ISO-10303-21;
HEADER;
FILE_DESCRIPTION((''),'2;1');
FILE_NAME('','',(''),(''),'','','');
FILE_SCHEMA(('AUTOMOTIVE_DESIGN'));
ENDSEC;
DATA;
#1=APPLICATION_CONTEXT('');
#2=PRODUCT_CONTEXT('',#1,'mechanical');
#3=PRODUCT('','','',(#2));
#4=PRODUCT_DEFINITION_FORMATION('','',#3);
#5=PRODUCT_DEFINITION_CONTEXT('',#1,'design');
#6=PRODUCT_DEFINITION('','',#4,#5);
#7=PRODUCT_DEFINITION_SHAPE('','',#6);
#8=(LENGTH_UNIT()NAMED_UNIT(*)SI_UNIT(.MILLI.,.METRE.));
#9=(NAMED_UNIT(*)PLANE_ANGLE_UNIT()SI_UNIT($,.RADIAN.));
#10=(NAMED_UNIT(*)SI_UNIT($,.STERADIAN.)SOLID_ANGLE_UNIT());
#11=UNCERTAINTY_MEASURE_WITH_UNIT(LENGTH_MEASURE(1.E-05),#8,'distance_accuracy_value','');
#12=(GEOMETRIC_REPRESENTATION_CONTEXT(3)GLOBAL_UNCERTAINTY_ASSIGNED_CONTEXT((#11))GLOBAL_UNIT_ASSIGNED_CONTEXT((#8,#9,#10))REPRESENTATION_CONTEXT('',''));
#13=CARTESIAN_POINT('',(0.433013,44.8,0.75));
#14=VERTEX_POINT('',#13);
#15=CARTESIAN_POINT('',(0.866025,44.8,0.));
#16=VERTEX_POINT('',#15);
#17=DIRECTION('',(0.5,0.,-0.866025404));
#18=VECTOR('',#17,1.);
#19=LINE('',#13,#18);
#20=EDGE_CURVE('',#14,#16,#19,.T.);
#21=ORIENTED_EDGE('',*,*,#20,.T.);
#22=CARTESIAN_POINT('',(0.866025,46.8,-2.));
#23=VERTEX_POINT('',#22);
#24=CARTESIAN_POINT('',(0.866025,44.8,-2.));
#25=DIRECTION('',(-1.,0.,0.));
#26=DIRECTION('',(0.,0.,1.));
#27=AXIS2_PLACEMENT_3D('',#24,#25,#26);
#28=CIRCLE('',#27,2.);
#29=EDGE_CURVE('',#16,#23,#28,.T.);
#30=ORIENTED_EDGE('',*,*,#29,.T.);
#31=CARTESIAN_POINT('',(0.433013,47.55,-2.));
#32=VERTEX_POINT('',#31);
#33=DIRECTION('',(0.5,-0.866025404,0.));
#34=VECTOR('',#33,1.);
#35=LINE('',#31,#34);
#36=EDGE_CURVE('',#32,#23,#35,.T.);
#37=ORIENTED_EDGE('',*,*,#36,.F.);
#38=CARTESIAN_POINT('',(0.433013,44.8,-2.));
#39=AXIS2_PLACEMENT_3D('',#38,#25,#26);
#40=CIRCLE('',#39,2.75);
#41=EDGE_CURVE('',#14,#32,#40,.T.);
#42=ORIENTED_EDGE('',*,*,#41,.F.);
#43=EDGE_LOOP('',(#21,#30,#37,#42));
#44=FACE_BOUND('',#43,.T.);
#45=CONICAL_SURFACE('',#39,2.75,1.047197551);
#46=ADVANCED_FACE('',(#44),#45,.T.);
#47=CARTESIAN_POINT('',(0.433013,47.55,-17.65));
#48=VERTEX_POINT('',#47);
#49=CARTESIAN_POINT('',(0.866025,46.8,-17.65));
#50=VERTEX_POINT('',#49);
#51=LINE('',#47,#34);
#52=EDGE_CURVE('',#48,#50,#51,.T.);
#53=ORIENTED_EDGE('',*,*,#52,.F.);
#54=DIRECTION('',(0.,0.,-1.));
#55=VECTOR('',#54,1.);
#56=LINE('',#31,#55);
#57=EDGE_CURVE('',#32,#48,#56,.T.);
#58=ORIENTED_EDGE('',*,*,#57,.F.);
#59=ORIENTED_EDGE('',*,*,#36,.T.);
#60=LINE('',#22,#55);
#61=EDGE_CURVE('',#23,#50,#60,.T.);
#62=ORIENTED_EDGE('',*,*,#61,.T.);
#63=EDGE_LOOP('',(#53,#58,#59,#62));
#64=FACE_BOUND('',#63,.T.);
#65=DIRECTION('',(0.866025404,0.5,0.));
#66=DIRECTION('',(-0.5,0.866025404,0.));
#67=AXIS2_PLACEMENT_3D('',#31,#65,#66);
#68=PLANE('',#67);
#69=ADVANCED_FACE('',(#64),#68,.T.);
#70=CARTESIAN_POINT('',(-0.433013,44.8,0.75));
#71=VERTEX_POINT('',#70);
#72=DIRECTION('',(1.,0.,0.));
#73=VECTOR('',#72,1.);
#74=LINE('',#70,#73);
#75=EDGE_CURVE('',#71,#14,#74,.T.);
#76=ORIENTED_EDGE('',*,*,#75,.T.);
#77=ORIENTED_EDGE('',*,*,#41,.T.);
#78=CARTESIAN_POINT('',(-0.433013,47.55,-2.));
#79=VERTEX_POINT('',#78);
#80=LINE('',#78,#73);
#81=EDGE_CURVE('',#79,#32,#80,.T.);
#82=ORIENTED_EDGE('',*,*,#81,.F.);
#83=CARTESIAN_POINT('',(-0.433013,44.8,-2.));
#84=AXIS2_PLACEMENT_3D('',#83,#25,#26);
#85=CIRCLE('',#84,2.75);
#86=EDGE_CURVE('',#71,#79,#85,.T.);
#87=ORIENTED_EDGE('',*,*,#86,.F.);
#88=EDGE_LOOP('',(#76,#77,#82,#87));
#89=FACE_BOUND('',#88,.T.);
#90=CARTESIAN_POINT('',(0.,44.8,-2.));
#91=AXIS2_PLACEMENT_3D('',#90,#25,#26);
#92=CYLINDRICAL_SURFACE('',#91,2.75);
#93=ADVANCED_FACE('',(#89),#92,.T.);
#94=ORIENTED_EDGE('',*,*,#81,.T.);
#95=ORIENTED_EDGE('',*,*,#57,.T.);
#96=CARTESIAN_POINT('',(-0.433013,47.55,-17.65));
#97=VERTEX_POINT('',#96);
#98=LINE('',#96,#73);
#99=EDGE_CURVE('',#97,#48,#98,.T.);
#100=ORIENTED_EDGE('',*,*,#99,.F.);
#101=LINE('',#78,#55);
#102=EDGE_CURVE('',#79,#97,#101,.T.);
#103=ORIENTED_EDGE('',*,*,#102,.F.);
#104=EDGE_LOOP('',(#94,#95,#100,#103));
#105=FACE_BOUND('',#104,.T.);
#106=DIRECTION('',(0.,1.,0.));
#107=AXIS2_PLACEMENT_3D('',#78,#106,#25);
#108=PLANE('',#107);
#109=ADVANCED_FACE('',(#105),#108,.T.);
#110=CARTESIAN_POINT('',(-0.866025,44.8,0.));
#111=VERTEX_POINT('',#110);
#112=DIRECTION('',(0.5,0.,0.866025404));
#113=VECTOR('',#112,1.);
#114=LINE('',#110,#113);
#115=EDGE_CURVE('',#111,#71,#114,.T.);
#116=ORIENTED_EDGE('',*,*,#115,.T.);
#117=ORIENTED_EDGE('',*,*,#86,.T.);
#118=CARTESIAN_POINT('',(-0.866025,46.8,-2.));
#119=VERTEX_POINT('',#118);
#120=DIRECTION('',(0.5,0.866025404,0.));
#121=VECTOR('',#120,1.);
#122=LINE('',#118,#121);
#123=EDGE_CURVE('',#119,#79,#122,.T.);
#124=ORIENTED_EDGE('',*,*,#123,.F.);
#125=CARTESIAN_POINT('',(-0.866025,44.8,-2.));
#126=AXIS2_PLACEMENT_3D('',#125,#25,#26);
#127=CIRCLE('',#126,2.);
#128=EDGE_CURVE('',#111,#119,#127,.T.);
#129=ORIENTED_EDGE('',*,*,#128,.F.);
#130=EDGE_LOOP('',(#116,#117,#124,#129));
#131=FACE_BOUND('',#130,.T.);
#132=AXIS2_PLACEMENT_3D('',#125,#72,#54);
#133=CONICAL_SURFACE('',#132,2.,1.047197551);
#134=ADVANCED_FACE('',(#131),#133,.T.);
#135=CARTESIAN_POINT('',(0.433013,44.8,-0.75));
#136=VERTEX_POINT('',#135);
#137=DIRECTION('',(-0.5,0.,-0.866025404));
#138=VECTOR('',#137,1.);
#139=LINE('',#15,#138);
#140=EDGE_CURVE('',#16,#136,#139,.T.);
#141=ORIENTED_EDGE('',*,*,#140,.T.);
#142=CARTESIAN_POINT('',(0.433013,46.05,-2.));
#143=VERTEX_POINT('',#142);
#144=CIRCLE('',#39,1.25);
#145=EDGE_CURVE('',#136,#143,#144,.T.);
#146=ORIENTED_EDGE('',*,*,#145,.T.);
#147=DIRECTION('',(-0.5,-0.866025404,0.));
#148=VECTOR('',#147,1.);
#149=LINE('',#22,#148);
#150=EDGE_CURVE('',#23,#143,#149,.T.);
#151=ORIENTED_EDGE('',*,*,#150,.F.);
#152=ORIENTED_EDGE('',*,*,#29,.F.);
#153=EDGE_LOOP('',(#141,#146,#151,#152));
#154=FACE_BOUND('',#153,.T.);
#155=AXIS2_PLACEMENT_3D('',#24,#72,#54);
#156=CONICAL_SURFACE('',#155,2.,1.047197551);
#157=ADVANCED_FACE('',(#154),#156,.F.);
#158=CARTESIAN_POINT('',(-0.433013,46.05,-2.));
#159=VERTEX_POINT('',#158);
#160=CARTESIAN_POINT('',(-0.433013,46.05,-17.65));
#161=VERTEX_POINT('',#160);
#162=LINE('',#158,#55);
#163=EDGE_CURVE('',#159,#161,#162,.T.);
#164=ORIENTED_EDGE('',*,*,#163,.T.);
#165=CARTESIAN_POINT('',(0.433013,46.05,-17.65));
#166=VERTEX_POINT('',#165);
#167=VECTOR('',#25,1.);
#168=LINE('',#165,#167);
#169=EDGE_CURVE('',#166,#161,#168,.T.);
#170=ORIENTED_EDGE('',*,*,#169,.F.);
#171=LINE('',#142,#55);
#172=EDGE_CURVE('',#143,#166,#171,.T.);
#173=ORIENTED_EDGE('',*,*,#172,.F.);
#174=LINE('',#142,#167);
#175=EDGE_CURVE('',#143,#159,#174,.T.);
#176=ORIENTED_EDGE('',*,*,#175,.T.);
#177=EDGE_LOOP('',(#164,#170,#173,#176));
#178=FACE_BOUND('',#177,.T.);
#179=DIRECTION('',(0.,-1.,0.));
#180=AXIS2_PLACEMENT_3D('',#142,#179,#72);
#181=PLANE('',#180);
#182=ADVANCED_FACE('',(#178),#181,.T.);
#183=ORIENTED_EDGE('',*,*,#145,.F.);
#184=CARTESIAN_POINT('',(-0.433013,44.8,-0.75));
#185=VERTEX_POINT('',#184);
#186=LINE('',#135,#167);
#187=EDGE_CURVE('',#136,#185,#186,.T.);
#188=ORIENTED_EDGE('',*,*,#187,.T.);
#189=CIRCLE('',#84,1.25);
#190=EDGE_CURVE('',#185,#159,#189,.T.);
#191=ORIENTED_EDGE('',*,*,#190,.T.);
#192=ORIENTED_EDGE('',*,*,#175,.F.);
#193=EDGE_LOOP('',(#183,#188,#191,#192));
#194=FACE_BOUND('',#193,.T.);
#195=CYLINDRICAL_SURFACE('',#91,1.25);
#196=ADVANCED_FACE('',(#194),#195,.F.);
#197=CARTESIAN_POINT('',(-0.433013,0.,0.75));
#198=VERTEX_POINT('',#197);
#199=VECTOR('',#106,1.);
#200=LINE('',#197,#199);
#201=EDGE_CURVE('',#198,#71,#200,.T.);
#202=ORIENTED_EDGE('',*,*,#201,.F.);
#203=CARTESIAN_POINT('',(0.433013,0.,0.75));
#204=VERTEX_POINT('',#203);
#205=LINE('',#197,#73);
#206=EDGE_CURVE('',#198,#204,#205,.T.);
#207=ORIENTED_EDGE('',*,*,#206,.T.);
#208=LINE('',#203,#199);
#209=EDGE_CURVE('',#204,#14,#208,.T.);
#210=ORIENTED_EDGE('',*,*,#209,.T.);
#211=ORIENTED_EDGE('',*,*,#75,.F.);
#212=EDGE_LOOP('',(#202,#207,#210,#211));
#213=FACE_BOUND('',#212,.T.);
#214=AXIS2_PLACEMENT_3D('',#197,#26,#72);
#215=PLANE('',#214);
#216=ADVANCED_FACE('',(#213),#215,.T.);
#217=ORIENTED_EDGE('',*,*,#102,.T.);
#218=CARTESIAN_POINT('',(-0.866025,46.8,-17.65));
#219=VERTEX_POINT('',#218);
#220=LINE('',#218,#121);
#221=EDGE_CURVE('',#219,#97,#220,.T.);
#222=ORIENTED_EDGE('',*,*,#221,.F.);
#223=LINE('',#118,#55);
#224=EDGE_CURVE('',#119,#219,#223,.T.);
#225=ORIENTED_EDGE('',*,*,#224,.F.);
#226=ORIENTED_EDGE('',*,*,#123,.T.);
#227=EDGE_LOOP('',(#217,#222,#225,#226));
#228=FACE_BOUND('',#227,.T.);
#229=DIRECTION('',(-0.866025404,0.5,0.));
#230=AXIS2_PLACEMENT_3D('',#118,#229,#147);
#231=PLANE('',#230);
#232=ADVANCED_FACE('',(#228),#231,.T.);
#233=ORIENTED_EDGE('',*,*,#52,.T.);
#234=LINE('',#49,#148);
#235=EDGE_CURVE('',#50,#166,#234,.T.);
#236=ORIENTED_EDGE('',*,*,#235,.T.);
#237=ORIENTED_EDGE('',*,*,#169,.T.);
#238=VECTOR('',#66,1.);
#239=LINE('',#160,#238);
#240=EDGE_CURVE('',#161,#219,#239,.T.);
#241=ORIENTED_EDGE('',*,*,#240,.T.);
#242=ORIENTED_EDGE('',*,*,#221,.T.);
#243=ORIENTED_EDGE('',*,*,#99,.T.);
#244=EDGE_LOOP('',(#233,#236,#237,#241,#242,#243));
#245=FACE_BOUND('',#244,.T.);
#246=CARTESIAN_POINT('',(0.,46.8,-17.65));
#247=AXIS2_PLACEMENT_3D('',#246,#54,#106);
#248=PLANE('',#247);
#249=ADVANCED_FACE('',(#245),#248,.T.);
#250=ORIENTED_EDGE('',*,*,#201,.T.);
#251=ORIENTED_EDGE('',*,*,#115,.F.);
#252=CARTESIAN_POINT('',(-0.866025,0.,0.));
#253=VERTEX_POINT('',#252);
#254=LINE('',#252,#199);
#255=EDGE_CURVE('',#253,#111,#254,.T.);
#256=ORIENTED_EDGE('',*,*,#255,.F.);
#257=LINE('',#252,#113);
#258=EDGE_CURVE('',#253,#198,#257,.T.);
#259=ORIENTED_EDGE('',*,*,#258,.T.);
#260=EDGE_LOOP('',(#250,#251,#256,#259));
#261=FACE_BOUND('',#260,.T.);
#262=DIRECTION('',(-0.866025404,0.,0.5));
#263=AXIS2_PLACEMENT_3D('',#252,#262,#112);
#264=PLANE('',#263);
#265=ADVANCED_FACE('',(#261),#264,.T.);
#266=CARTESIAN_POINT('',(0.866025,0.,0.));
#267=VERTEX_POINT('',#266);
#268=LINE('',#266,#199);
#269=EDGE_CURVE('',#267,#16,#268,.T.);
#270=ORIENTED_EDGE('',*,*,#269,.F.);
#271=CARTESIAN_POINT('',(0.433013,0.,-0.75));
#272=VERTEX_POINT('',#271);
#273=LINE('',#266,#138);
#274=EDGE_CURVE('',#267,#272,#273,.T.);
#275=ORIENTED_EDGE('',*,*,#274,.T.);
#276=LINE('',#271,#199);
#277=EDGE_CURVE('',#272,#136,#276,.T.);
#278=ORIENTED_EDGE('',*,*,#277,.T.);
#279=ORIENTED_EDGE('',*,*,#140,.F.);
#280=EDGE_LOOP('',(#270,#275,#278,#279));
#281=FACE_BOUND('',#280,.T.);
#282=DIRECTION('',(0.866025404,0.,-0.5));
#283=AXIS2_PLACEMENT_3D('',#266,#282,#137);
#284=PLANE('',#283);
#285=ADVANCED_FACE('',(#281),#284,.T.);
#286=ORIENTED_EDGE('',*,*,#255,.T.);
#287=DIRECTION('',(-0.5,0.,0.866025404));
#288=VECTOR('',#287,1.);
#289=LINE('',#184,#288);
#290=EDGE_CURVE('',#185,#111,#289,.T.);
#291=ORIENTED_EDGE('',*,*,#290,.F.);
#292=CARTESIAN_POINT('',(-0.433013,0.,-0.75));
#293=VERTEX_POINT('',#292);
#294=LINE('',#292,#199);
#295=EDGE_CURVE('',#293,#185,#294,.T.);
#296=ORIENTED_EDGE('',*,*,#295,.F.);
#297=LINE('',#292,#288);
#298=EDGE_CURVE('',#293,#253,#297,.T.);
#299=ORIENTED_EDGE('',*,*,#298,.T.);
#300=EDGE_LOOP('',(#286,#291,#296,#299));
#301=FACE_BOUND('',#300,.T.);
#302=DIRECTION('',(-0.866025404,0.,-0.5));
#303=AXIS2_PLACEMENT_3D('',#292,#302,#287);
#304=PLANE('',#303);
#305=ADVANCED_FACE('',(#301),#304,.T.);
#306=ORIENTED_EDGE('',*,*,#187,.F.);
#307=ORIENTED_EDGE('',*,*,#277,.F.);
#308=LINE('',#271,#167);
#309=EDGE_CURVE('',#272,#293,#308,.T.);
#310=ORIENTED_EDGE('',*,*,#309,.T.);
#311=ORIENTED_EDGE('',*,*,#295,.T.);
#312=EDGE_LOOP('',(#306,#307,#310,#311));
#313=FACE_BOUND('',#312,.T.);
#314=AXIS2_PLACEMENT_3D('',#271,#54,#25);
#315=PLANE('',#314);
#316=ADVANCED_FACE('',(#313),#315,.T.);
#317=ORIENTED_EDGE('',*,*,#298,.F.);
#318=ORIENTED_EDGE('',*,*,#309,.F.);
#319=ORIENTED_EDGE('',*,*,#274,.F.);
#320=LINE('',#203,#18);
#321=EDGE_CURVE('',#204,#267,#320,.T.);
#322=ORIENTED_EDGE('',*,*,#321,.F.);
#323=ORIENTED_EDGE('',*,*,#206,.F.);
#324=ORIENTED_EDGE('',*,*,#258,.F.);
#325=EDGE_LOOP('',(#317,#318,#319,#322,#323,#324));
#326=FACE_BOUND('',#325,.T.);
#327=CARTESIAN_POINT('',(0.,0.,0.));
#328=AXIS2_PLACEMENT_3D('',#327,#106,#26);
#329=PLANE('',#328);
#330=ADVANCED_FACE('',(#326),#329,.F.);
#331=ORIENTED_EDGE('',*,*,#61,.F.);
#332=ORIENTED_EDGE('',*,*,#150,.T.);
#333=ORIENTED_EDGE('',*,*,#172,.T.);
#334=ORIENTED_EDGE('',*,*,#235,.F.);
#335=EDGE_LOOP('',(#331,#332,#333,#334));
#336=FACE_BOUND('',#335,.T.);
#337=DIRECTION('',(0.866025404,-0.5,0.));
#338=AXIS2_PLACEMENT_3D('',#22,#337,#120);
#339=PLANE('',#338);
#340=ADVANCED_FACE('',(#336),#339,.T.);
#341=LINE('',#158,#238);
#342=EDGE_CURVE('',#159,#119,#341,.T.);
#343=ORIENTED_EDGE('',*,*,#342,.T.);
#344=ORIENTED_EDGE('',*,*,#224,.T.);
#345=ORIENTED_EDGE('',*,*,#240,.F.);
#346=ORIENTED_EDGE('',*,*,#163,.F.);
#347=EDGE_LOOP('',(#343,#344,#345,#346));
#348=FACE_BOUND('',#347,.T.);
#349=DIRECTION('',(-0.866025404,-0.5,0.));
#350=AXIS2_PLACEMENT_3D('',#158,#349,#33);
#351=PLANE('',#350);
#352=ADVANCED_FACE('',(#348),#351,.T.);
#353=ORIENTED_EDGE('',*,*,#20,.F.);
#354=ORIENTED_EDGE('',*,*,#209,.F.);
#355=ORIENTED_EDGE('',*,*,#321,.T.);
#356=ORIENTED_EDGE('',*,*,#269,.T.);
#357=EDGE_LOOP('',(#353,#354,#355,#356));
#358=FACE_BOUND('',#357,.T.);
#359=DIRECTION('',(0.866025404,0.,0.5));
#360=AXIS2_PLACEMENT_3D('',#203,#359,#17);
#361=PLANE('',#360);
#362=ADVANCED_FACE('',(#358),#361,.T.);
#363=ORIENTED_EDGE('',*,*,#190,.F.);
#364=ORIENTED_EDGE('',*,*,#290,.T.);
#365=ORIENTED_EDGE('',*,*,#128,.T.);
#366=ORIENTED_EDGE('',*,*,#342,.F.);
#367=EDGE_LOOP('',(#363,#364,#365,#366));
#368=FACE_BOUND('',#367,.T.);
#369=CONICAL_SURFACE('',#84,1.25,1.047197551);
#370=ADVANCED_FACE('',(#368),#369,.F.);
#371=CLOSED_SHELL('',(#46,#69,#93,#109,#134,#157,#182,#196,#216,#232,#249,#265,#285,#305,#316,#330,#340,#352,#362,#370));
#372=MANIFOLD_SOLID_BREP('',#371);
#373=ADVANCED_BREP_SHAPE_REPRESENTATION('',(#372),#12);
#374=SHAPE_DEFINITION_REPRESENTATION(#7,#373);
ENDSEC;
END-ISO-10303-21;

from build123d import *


with BuildPart() as part:
    # Sweep1: sweep along a path in Sketch2
    with BuildLine(Plane.ZY) as sweep1_path:
        Line((0, 0), (0, 44.8))
        ThreePointArc((0, 44.8), (-0.585786438, 46.214213562), (-2, 46.8))
        Line((-2, 46.8), (-17.65, 46.8))
    # Sketch1 → Sweep1 (sweep)
    with BuildSketch(Plane(origin=(0, 0, 0), x_dir=(1, 0, 0), z_dir=(0, 1, 0))):
        Polygon((0.866025404, 0), (0.433012702, 0.75), (-0.433012702, 0.75), (-0.866025404, 0), (-0.433012702, -0.75), (0.433012702, -0.75), align=None)
    sweep(path=sweep1_path.line)


solid = part.part
